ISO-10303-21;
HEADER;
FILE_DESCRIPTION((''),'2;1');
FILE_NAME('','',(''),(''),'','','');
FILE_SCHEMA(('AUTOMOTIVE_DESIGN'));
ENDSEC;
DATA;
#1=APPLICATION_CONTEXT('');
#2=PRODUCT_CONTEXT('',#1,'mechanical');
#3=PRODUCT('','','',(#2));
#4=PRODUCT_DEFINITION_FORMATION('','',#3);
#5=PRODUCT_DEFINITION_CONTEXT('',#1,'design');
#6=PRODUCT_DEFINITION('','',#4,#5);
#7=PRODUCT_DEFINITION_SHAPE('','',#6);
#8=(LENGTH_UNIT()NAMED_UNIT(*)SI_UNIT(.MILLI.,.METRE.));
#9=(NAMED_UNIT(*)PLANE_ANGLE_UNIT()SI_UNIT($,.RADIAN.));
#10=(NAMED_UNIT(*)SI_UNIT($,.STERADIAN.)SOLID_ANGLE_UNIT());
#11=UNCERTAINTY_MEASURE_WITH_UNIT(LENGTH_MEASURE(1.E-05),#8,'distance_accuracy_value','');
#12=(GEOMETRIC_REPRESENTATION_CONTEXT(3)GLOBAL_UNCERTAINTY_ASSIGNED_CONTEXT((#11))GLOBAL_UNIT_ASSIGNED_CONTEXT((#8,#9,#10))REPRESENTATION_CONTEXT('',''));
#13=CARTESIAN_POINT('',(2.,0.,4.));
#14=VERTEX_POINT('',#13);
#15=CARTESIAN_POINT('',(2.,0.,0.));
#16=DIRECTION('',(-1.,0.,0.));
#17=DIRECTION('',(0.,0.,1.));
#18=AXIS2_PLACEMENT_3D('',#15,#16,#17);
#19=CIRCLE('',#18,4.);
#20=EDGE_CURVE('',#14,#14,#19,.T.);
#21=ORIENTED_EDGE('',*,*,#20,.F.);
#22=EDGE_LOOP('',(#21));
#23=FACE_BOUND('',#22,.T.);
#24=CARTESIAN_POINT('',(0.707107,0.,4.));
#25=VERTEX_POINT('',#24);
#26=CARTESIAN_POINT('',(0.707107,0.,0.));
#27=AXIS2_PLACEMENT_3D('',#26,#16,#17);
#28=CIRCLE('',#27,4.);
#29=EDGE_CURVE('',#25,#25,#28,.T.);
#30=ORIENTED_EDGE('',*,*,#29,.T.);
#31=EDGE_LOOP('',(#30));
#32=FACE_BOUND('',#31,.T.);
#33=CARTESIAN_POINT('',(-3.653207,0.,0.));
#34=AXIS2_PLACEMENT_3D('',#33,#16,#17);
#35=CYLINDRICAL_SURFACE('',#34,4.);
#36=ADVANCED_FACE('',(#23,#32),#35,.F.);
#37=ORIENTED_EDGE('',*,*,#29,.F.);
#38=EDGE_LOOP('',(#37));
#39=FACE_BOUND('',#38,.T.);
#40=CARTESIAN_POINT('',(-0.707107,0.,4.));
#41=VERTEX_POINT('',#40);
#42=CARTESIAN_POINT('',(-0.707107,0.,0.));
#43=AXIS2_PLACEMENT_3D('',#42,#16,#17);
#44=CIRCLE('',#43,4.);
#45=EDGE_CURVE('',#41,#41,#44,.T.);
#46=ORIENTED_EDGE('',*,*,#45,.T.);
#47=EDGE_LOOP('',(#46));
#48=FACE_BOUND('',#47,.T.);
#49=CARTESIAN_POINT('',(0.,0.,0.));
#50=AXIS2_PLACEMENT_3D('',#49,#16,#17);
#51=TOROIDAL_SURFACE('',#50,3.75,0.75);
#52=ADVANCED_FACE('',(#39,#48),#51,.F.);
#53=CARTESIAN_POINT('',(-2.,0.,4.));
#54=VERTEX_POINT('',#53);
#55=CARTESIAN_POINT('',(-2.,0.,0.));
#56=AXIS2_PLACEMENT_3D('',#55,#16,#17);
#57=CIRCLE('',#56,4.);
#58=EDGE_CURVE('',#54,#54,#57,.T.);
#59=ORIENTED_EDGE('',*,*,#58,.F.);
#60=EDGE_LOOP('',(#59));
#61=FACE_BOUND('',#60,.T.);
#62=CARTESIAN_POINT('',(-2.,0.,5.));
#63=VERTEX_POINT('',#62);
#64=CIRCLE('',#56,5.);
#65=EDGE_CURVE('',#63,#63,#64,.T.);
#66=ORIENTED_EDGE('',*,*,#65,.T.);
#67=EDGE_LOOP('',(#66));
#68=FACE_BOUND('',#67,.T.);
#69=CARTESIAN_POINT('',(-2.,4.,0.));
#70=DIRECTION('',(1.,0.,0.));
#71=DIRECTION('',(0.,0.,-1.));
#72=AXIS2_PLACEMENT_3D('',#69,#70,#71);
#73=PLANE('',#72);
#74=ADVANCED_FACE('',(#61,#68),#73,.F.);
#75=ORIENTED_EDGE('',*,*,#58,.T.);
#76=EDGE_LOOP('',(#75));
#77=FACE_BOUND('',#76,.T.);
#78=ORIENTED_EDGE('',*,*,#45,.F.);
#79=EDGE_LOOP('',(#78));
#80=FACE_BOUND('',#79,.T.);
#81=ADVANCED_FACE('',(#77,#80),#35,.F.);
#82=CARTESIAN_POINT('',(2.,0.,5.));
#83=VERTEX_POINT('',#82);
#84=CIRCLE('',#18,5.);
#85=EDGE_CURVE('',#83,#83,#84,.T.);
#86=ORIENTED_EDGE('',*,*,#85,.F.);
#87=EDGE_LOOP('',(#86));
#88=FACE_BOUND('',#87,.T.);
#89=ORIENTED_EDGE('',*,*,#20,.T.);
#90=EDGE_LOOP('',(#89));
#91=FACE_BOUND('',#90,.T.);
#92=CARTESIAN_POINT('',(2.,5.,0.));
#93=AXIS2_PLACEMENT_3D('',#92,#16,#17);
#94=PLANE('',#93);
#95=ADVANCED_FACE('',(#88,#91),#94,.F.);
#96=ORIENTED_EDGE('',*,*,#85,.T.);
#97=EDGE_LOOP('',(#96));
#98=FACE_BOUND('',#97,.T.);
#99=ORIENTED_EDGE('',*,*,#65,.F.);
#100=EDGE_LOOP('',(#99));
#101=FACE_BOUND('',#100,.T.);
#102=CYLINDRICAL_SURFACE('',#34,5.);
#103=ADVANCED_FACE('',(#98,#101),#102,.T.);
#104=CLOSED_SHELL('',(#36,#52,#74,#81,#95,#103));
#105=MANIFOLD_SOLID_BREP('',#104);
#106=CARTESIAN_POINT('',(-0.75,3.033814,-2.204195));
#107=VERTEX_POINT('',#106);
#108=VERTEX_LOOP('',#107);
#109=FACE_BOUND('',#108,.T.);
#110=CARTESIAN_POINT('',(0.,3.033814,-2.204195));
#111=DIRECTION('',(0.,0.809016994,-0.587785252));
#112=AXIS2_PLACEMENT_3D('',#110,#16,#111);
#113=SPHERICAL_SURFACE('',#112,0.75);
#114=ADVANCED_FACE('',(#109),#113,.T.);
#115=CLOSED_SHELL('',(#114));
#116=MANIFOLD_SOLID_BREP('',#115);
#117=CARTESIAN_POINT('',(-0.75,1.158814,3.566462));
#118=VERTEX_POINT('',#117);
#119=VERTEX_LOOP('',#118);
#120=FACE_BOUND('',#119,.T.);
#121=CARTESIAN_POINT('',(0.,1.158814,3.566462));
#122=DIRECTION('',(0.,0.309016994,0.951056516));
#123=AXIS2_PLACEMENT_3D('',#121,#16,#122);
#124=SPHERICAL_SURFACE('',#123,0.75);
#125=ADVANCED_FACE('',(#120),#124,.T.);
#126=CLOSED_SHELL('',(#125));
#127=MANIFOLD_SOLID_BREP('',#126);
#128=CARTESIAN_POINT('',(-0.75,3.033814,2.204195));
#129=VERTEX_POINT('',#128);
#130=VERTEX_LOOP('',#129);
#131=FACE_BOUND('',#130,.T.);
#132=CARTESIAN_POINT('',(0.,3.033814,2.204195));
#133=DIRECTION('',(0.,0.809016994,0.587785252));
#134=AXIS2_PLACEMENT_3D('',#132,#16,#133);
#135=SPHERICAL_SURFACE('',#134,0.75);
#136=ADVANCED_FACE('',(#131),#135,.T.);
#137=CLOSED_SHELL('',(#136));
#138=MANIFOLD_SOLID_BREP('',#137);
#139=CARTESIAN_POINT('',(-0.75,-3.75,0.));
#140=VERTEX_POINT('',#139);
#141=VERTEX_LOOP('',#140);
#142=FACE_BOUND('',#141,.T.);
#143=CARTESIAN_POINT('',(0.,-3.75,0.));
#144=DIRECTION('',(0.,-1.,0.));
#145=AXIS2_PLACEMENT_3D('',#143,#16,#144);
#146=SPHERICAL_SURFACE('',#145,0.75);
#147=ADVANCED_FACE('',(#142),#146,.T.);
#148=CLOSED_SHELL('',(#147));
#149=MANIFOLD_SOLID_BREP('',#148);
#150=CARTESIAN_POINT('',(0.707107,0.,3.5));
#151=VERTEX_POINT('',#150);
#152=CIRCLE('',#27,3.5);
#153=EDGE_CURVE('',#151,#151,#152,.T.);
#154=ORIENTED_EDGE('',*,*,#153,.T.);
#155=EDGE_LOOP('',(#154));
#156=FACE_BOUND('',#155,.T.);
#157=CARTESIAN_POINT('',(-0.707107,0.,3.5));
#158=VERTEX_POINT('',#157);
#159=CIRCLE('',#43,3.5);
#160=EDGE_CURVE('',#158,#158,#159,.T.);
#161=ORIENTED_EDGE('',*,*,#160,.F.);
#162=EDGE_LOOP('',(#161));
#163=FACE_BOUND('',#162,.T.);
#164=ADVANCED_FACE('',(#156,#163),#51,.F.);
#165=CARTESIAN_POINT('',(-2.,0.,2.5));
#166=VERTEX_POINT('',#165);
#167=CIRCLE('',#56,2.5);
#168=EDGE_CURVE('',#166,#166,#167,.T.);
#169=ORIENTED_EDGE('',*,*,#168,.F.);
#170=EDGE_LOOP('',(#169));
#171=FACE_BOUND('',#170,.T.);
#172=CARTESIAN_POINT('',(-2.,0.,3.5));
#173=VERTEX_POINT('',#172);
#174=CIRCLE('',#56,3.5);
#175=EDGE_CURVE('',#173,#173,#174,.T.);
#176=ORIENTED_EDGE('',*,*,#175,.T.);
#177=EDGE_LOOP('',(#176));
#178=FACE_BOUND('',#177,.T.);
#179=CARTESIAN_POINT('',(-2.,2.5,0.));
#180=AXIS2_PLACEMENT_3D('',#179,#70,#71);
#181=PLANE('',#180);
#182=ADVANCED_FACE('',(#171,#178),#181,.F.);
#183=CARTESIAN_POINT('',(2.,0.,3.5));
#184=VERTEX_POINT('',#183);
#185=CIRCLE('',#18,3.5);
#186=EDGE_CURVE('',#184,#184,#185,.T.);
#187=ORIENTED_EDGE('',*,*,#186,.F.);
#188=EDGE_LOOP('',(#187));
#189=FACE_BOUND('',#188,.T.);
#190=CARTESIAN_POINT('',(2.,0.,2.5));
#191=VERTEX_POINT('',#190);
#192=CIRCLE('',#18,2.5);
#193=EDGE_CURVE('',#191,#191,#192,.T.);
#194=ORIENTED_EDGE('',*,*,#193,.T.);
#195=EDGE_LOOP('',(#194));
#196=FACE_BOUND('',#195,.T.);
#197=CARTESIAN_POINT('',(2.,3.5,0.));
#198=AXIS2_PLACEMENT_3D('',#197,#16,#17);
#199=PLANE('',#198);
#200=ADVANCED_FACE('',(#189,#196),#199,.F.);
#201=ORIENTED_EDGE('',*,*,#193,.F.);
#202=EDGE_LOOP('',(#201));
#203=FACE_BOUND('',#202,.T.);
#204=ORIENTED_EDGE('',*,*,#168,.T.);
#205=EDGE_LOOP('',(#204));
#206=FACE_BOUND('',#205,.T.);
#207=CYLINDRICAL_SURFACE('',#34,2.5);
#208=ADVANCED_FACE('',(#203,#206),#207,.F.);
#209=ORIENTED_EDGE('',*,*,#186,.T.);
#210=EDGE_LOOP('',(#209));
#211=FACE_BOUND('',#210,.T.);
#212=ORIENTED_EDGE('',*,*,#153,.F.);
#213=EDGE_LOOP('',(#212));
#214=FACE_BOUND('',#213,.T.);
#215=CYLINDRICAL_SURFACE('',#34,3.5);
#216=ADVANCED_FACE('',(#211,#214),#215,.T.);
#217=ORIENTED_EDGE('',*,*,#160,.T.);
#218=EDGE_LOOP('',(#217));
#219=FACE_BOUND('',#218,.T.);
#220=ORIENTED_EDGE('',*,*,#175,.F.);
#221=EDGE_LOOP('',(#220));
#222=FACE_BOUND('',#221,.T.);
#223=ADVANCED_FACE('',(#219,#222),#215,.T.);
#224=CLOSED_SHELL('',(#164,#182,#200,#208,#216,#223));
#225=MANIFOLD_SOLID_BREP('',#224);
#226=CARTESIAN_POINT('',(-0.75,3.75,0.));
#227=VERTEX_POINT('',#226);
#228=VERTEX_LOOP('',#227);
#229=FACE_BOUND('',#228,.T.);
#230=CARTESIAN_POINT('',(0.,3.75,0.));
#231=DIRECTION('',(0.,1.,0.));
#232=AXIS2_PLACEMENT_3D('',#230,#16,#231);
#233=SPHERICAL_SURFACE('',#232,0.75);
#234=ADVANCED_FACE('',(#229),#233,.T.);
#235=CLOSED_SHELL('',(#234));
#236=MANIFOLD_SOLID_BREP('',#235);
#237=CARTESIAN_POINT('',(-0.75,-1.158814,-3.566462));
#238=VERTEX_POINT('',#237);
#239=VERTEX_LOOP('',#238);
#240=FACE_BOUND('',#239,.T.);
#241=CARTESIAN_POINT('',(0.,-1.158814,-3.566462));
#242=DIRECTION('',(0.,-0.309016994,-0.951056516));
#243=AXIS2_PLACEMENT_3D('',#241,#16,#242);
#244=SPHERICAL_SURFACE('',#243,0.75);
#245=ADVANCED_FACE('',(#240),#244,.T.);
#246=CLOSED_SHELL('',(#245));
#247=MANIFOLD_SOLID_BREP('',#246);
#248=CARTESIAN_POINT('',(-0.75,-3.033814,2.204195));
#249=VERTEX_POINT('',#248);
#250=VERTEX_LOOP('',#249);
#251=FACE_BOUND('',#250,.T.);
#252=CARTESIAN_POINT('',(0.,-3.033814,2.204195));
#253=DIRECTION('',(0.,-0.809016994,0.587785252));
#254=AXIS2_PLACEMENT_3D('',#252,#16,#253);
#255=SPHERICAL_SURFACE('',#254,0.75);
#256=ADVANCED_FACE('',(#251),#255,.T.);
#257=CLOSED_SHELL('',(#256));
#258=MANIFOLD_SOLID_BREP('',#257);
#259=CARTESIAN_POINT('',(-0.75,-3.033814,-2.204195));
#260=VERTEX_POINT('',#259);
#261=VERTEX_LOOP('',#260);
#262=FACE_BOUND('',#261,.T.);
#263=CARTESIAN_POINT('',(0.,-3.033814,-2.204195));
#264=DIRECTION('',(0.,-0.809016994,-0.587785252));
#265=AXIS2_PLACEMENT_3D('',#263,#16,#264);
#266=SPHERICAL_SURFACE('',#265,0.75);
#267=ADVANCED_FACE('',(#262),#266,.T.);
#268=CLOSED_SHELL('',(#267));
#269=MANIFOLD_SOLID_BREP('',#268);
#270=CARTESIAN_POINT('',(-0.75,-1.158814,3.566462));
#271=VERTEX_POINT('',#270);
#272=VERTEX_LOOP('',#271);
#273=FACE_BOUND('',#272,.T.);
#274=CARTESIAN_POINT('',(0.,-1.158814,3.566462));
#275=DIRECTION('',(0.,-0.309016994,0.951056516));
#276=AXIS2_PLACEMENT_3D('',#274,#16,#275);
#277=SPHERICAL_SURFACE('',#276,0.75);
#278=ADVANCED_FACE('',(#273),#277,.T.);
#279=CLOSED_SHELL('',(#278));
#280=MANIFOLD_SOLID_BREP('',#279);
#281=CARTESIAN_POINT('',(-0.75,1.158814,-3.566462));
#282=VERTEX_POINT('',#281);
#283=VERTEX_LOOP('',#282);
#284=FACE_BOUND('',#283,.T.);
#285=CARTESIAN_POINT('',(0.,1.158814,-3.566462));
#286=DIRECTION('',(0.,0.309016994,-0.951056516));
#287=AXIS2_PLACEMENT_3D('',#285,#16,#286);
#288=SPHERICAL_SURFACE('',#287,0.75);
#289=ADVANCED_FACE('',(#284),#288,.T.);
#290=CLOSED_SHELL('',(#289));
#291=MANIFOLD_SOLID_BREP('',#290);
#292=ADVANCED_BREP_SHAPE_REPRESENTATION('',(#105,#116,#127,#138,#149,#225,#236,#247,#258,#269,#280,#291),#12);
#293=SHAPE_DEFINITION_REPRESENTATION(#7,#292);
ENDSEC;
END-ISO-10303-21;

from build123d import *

# Parameters (mm, degrees)
CIRPATTERN1_COUNT = 10


with BuildPart() as part:
    # Sketch1 → Revolve1 (revolve)
    with BuildSketch(Plane.XY, mode=Mode.PRIVATE) as revolve1_sk:
        with BuildLine():
            Line((0, 5), (2, 5))
            Line((2, 5), (2, 4))
            Line((2, 4), (0.707106781, 4))
            ThreePointArc((0.707106781, 4), (0, 4.5), (-0.707106781, 4))
            Line((-0.707106781, 4), (-2, 4))
            Line((-2, 4), (-2, 5))
            Line((-2, 5), (0, 5))
        make_face()
        with BuildLine():
            Line((0.707106781, 3.5), (2, 3.5))
            Line((2, 3.5), (2, 2.5))
            Line((2, 2.5), (-2, 2.5))
            Line((-2, 2.5), (-2, 3.5))
            Line((-2, 3.5), (-0.707106781, 3.5))
            ThreePointArc((-0.707106781, 3.5), (0, 3), (0.707106781, 3.5))
        make_face()
    revolve(revolve1_sk.sketch.rotate(Axis((-3.653206843, 0, 0), (1, 0, 0)), 90), axis=Axis((-3.653206843, 0, 0), (1, 0, 0)))


with BuildPart() as body_2:
    # Sketch2 → Revolve2 (revolve)
    with BuildSketch(Plane.XY):
        with BuildLine():
            Line((-0.75, 3.75), (0.75, 3.75))
            ThreePointArc((0.75, 3.75), (0, 4.5), (-0.75, 3.75))
        make_face()
    revolve(axis=Axis((-0.75, 3.75, 0), (1, 0, 0)))


with BuildPart() as cirpattern1_1:
    # CirPattern1: pattern copy
    add(body_2.part.rotate(Axis((0, 0, 0), (1, 0, 0)), 1 * 360 / CIRPATTERN1_COUNT))


with BuildPart() as cirpattern1_2:
    # CirPattern1: pattern copy
    add(body_2.part.rotate(Axis((0, 0, 0), (1, 0, 0)), 2 * 360 / CIRPATTERN1_COUNT))


with BuildPart() as cirpattern1_3:
    # CirPattern1: pattern copy
    add(body_2.part.rotate(Axis((0, 0, 0), (1, 0, 0)), 3 * 360 / CIRPATTERN1_COUNT))


with BuildPart() as cirpattern1_4:
    # CirPattern1: pattern copy
    add(body_2.part.rotate(Axis((0, 0, 0), (1, 0, 0)), 4 * 360 / CIRPATTERN1_COUNT))


with BuildPart() as cirpattern1_5:
    # CirPattern1: pattern copy
    add(body_2.part.rotate(Axis((0, 0, 0), (1, 0, 0)), 5 * 360 / CIRPATTERN1_COUNT))


with BuildPart() as cirpattern1_6:
    # CirPattern1: pattern copy
    add(body_2.part.rotate(Axis((0, 0, 0), (1, 0, 0)), 6 * 360 / CIRPATTERN1_COUNT))


with BuildPart() as cirpattern1_7:
    # CirPattern1: pattern copy
    add(body_2.part.rotate(Axis((0, 0, 0), (1, 0, 0)), 7 * 360 / CIRPATTERN1_COUNT))


with BuildPart() as cirpattern1_8:
    # CirPattern1: pattern copy
    add(body_2.part.rotate(Axis((0, 0, 0), (1, 0, 0)), 8 * 360 / CIRPATTERN1_COUNT))


with BuildPart() as cirpattern1_9:
    # CirPattern1: pattern copy
    add(body_2.part.rotate(Axis((0, 0, 0), (1, 0, 0)), 9 * 360 / CIRPATTERN1_COUNT))


solid = Compound([part.part, body_2.part, cirpattern1_1.part, cirpattern1_2.part, cirpattern1_3.part, cirpattern1_4.part, cirpattern1_5.part, cirpattern1_6.part, cirpattern1_7.part, cirpattern1_8.part, cirpattern1_9.part])
